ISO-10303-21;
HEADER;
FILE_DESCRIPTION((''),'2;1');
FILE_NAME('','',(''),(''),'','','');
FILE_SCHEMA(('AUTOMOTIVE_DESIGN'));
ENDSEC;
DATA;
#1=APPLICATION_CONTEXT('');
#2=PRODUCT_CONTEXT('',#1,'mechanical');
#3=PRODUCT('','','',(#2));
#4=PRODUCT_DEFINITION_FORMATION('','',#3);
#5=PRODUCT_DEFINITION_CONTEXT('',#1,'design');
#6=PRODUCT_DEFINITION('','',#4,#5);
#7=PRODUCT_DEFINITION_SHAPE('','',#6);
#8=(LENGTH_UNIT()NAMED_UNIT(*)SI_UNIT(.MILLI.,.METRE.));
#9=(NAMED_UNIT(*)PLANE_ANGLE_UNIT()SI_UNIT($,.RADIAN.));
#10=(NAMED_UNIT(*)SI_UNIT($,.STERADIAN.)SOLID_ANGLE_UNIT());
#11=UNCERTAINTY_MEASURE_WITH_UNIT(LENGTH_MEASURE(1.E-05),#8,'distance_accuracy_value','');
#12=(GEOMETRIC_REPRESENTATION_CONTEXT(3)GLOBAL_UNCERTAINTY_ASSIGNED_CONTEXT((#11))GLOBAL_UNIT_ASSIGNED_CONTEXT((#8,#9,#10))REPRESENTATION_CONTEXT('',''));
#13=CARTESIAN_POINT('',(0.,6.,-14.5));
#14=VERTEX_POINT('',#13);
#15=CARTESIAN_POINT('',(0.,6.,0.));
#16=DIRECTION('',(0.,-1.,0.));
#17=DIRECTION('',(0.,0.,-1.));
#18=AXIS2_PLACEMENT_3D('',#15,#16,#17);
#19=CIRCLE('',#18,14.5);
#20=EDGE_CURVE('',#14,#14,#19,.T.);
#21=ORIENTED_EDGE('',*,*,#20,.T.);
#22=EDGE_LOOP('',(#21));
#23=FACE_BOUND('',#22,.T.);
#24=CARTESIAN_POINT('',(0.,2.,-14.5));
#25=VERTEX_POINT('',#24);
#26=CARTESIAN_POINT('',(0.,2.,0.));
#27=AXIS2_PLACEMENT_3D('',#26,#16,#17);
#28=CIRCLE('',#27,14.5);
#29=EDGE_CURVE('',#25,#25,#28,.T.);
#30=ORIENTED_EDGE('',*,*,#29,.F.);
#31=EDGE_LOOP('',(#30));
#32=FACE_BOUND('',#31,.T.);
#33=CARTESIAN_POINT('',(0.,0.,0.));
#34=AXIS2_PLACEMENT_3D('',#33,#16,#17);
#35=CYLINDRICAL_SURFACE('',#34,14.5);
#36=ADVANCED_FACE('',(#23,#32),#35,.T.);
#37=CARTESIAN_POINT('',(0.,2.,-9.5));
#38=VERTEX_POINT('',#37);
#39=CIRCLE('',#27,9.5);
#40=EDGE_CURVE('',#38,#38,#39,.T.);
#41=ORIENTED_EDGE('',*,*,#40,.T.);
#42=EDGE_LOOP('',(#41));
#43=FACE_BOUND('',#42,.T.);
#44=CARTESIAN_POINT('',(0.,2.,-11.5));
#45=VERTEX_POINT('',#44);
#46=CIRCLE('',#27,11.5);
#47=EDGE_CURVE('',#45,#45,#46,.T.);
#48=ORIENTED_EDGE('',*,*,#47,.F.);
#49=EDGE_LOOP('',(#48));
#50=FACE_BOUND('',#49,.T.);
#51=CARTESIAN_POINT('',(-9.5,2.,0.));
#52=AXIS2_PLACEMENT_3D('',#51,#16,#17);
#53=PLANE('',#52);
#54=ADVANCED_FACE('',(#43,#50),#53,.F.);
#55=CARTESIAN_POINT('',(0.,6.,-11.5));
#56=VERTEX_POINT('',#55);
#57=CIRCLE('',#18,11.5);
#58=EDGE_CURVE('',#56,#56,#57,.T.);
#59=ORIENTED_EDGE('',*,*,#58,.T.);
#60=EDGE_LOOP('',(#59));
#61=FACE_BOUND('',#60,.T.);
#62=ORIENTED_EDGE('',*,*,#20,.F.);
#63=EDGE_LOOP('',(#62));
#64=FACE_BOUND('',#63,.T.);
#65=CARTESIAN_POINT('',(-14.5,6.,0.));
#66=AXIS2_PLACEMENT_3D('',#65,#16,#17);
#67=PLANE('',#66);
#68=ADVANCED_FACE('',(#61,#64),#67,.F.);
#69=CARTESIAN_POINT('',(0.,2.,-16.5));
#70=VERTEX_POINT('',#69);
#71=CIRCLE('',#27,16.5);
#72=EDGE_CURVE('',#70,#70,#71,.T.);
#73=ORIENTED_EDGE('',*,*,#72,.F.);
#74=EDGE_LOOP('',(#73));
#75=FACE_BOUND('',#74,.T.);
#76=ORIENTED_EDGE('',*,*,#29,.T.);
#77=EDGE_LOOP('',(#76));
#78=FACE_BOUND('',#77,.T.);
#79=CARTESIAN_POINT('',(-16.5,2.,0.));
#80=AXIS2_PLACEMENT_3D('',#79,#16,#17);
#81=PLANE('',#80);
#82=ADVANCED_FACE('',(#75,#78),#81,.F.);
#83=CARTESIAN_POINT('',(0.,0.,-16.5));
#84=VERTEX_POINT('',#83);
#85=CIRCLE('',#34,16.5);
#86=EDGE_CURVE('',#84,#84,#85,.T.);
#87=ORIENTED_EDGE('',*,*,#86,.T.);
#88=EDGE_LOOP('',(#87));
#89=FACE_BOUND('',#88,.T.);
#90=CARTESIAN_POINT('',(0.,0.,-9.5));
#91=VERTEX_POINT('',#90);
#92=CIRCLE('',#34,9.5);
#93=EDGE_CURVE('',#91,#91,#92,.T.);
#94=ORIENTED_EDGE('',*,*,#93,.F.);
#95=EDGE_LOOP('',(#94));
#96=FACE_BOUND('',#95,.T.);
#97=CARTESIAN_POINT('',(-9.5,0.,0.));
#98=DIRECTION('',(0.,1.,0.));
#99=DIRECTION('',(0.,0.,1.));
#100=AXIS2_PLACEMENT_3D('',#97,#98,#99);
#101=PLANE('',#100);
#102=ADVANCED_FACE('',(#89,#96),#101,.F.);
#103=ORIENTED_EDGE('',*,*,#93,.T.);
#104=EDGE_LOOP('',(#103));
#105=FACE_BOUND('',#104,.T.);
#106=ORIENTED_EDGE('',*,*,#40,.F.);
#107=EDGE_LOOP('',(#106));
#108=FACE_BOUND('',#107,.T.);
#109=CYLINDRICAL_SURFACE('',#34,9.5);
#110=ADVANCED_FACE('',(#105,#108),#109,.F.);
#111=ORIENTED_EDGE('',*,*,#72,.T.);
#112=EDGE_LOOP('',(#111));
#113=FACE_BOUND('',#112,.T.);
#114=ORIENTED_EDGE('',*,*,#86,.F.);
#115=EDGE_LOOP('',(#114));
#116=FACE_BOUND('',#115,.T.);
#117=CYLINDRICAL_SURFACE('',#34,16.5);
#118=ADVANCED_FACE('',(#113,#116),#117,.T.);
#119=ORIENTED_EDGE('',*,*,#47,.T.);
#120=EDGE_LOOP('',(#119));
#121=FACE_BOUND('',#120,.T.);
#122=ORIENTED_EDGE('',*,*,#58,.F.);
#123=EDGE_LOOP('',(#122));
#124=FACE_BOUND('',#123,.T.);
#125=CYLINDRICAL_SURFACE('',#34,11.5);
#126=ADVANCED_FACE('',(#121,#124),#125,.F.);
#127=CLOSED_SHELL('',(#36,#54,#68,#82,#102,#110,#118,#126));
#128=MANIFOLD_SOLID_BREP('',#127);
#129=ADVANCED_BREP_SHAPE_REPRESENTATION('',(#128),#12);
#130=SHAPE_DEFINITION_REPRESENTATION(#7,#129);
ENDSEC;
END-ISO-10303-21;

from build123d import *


with BuildPart() as part:
    # Skizze1 → Rotation1 (revolve)
    with BuildSketch(Plane.XY):
        Polygon((-9.5, 0), (-16.5, 0), (-16.5, 2), (-14.5, 2), (-14.5, 6), (-11.5, 6), (-11.5, 2), (-9.5, 2), align=None)
    revolve(axis=Axis((0, 0, 0), (0, 1, 0)))


solid = part.part
